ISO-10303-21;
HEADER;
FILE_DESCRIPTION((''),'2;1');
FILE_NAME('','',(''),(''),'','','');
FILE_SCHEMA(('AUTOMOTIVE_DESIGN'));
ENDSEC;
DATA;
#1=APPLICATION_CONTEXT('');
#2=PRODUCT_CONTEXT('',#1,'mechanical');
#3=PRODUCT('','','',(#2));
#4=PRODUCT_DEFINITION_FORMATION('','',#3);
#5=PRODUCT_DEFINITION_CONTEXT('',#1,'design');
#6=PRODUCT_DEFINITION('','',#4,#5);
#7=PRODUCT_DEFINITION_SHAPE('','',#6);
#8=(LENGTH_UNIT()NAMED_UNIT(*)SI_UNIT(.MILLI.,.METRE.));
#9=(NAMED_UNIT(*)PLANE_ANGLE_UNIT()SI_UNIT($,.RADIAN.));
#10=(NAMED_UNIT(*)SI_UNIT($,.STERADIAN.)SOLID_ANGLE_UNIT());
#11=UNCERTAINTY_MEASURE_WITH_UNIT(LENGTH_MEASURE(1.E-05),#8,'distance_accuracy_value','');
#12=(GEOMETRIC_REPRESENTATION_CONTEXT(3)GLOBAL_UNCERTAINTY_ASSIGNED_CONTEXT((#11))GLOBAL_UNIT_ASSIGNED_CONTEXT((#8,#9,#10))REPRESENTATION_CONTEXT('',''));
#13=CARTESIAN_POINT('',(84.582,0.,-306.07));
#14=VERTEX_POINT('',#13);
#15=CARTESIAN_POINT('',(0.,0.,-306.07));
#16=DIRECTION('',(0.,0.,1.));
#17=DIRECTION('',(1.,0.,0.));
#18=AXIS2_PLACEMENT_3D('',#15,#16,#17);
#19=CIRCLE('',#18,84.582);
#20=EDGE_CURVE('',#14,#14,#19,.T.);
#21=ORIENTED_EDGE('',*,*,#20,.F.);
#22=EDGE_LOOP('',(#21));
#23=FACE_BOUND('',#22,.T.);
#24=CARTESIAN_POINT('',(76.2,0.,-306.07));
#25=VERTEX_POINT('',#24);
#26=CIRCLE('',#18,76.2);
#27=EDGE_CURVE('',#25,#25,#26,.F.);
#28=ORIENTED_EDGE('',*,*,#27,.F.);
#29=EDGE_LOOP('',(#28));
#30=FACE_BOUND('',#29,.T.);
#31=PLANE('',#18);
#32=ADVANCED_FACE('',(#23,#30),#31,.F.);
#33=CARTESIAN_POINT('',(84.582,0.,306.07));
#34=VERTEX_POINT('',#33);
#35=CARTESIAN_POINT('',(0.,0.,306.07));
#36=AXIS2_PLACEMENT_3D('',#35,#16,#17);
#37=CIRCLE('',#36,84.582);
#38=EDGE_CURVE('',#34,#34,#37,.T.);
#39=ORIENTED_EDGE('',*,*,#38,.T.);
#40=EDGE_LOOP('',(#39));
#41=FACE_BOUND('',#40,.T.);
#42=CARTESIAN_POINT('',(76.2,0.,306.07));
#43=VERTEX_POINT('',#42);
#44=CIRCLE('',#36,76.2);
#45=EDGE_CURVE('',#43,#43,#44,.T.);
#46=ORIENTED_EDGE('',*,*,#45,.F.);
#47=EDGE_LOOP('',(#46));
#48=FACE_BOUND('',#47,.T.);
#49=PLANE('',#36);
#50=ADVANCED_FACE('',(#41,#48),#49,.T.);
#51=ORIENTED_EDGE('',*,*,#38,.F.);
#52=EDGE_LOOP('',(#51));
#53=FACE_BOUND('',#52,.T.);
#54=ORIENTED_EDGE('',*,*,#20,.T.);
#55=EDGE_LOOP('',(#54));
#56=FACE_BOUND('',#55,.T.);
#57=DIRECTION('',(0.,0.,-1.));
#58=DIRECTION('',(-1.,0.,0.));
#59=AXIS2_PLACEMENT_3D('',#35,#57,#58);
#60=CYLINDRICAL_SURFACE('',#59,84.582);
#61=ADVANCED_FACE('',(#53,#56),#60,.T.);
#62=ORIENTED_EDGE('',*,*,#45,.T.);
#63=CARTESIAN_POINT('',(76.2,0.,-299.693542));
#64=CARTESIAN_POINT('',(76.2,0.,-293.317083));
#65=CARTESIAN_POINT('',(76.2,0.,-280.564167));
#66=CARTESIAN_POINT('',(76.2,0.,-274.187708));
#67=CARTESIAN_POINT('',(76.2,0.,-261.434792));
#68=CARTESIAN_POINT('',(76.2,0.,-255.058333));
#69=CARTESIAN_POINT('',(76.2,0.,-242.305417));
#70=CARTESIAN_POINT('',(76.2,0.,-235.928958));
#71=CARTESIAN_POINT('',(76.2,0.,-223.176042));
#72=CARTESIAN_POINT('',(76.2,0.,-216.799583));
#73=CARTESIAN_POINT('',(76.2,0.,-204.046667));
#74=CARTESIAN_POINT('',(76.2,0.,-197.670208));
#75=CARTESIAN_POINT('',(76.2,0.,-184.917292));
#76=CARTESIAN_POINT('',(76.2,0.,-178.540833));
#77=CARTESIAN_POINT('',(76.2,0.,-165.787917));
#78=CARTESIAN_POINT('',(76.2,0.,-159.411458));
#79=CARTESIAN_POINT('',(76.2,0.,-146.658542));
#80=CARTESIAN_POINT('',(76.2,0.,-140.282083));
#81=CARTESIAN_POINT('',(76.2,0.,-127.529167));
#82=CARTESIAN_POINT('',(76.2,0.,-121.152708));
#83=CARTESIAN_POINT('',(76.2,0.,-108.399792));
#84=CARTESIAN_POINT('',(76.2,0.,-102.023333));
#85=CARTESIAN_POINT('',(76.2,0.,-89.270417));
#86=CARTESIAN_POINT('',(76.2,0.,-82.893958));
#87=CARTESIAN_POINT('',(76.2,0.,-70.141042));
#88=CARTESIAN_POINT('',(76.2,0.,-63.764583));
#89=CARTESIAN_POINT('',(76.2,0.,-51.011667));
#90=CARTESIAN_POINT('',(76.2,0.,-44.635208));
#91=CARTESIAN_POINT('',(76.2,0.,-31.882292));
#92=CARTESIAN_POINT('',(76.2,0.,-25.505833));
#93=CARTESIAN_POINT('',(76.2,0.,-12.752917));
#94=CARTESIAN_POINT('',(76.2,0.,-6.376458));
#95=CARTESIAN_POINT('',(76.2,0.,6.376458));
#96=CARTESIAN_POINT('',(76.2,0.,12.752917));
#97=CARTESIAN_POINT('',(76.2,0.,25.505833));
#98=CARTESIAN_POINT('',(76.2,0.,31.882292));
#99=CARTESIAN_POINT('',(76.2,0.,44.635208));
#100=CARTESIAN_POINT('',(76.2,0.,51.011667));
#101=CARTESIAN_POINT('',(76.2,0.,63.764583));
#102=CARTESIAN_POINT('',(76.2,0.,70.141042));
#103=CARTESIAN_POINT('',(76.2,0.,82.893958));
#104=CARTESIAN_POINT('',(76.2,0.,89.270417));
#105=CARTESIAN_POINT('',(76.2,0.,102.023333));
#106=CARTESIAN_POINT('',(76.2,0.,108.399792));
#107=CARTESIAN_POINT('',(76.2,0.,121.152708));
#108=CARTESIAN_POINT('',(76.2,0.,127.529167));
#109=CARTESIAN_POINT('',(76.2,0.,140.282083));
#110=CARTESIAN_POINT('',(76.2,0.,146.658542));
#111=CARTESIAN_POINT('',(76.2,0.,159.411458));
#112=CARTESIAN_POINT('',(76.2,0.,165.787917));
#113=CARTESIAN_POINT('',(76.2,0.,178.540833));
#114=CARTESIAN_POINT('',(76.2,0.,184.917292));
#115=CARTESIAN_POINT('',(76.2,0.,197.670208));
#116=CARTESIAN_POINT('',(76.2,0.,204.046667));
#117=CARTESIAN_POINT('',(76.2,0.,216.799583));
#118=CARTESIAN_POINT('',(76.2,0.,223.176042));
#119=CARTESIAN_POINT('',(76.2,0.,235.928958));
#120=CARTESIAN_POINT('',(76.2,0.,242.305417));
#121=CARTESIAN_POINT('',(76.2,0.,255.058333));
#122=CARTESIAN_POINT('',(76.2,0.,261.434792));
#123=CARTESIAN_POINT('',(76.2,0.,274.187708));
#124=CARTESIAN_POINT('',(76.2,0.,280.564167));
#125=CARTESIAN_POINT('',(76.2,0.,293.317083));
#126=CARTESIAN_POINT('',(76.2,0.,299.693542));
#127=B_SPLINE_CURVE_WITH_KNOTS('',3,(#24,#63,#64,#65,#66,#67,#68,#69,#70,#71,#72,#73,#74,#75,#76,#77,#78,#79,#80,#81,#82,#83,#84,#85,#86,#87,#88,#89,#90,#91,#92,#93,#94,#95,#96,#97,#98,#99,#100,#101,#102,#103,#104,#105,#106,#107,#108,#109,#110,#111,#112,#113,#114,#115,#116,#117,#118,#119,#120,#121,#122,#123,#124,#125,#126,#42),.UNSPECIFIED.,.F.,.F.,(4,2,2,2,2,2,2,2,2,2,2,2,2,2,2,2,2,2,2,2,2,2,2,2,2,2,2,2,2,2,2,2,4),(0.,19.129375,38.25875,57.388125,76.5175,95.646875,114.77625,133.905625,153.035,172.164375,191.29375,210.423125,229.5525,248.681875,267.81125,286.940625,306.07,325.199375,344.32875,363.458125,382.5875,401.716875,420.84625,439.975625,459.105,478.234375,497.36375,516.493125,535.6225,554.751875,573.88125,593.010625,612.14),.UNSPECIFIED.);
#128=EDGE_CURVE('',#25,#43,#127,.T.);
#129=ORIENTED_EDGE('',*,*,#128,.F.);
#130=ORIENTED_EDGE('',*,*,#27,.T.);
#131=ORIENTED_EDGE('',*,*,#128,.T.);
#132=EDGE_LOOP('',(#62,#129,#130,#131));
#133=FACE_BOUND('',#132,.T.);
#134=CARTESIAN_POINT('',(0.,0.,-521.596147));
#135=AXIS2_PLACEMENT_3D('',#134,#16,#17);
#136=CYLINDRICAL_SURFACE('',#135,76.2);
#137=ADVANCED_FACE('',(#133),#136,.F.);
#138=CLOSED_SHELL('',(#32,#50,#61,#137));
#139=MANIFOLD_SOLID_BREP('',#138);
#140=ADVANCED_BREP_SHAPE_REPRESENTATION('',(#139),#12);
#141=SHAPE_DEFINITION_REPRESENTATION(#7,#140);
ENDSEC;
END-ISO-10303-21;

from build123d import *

# Parameters (mm, degrees)
SKETCH1_R           = 84.582
BOSS_EXTRUDE1_DEPTH = 306.07
SKETCH2_R           = 76.2
CUT_EXTRUDE1_DEPTH  = 612.14


with BuildPart() as part:
    # Sketch1 → Boss-Extrude1 (new, symmetric)
    with BuildSketch(Plane.XY):
        Circle(SKETCH1_R)
    extrude(amount=BOSS_EXTRUDE1_DEPTH, both=True)

    # Sketch2 → Cut-Extrude1 (cut)
    with BuildSketch(Plane.XY.offset(306.07)):
        Circle(SKETCH2_R)
    extrude(amount=-CUT_EXTRUDE1_DEPTH, mode=Mode.SUBTRACT)


solid = part.part
